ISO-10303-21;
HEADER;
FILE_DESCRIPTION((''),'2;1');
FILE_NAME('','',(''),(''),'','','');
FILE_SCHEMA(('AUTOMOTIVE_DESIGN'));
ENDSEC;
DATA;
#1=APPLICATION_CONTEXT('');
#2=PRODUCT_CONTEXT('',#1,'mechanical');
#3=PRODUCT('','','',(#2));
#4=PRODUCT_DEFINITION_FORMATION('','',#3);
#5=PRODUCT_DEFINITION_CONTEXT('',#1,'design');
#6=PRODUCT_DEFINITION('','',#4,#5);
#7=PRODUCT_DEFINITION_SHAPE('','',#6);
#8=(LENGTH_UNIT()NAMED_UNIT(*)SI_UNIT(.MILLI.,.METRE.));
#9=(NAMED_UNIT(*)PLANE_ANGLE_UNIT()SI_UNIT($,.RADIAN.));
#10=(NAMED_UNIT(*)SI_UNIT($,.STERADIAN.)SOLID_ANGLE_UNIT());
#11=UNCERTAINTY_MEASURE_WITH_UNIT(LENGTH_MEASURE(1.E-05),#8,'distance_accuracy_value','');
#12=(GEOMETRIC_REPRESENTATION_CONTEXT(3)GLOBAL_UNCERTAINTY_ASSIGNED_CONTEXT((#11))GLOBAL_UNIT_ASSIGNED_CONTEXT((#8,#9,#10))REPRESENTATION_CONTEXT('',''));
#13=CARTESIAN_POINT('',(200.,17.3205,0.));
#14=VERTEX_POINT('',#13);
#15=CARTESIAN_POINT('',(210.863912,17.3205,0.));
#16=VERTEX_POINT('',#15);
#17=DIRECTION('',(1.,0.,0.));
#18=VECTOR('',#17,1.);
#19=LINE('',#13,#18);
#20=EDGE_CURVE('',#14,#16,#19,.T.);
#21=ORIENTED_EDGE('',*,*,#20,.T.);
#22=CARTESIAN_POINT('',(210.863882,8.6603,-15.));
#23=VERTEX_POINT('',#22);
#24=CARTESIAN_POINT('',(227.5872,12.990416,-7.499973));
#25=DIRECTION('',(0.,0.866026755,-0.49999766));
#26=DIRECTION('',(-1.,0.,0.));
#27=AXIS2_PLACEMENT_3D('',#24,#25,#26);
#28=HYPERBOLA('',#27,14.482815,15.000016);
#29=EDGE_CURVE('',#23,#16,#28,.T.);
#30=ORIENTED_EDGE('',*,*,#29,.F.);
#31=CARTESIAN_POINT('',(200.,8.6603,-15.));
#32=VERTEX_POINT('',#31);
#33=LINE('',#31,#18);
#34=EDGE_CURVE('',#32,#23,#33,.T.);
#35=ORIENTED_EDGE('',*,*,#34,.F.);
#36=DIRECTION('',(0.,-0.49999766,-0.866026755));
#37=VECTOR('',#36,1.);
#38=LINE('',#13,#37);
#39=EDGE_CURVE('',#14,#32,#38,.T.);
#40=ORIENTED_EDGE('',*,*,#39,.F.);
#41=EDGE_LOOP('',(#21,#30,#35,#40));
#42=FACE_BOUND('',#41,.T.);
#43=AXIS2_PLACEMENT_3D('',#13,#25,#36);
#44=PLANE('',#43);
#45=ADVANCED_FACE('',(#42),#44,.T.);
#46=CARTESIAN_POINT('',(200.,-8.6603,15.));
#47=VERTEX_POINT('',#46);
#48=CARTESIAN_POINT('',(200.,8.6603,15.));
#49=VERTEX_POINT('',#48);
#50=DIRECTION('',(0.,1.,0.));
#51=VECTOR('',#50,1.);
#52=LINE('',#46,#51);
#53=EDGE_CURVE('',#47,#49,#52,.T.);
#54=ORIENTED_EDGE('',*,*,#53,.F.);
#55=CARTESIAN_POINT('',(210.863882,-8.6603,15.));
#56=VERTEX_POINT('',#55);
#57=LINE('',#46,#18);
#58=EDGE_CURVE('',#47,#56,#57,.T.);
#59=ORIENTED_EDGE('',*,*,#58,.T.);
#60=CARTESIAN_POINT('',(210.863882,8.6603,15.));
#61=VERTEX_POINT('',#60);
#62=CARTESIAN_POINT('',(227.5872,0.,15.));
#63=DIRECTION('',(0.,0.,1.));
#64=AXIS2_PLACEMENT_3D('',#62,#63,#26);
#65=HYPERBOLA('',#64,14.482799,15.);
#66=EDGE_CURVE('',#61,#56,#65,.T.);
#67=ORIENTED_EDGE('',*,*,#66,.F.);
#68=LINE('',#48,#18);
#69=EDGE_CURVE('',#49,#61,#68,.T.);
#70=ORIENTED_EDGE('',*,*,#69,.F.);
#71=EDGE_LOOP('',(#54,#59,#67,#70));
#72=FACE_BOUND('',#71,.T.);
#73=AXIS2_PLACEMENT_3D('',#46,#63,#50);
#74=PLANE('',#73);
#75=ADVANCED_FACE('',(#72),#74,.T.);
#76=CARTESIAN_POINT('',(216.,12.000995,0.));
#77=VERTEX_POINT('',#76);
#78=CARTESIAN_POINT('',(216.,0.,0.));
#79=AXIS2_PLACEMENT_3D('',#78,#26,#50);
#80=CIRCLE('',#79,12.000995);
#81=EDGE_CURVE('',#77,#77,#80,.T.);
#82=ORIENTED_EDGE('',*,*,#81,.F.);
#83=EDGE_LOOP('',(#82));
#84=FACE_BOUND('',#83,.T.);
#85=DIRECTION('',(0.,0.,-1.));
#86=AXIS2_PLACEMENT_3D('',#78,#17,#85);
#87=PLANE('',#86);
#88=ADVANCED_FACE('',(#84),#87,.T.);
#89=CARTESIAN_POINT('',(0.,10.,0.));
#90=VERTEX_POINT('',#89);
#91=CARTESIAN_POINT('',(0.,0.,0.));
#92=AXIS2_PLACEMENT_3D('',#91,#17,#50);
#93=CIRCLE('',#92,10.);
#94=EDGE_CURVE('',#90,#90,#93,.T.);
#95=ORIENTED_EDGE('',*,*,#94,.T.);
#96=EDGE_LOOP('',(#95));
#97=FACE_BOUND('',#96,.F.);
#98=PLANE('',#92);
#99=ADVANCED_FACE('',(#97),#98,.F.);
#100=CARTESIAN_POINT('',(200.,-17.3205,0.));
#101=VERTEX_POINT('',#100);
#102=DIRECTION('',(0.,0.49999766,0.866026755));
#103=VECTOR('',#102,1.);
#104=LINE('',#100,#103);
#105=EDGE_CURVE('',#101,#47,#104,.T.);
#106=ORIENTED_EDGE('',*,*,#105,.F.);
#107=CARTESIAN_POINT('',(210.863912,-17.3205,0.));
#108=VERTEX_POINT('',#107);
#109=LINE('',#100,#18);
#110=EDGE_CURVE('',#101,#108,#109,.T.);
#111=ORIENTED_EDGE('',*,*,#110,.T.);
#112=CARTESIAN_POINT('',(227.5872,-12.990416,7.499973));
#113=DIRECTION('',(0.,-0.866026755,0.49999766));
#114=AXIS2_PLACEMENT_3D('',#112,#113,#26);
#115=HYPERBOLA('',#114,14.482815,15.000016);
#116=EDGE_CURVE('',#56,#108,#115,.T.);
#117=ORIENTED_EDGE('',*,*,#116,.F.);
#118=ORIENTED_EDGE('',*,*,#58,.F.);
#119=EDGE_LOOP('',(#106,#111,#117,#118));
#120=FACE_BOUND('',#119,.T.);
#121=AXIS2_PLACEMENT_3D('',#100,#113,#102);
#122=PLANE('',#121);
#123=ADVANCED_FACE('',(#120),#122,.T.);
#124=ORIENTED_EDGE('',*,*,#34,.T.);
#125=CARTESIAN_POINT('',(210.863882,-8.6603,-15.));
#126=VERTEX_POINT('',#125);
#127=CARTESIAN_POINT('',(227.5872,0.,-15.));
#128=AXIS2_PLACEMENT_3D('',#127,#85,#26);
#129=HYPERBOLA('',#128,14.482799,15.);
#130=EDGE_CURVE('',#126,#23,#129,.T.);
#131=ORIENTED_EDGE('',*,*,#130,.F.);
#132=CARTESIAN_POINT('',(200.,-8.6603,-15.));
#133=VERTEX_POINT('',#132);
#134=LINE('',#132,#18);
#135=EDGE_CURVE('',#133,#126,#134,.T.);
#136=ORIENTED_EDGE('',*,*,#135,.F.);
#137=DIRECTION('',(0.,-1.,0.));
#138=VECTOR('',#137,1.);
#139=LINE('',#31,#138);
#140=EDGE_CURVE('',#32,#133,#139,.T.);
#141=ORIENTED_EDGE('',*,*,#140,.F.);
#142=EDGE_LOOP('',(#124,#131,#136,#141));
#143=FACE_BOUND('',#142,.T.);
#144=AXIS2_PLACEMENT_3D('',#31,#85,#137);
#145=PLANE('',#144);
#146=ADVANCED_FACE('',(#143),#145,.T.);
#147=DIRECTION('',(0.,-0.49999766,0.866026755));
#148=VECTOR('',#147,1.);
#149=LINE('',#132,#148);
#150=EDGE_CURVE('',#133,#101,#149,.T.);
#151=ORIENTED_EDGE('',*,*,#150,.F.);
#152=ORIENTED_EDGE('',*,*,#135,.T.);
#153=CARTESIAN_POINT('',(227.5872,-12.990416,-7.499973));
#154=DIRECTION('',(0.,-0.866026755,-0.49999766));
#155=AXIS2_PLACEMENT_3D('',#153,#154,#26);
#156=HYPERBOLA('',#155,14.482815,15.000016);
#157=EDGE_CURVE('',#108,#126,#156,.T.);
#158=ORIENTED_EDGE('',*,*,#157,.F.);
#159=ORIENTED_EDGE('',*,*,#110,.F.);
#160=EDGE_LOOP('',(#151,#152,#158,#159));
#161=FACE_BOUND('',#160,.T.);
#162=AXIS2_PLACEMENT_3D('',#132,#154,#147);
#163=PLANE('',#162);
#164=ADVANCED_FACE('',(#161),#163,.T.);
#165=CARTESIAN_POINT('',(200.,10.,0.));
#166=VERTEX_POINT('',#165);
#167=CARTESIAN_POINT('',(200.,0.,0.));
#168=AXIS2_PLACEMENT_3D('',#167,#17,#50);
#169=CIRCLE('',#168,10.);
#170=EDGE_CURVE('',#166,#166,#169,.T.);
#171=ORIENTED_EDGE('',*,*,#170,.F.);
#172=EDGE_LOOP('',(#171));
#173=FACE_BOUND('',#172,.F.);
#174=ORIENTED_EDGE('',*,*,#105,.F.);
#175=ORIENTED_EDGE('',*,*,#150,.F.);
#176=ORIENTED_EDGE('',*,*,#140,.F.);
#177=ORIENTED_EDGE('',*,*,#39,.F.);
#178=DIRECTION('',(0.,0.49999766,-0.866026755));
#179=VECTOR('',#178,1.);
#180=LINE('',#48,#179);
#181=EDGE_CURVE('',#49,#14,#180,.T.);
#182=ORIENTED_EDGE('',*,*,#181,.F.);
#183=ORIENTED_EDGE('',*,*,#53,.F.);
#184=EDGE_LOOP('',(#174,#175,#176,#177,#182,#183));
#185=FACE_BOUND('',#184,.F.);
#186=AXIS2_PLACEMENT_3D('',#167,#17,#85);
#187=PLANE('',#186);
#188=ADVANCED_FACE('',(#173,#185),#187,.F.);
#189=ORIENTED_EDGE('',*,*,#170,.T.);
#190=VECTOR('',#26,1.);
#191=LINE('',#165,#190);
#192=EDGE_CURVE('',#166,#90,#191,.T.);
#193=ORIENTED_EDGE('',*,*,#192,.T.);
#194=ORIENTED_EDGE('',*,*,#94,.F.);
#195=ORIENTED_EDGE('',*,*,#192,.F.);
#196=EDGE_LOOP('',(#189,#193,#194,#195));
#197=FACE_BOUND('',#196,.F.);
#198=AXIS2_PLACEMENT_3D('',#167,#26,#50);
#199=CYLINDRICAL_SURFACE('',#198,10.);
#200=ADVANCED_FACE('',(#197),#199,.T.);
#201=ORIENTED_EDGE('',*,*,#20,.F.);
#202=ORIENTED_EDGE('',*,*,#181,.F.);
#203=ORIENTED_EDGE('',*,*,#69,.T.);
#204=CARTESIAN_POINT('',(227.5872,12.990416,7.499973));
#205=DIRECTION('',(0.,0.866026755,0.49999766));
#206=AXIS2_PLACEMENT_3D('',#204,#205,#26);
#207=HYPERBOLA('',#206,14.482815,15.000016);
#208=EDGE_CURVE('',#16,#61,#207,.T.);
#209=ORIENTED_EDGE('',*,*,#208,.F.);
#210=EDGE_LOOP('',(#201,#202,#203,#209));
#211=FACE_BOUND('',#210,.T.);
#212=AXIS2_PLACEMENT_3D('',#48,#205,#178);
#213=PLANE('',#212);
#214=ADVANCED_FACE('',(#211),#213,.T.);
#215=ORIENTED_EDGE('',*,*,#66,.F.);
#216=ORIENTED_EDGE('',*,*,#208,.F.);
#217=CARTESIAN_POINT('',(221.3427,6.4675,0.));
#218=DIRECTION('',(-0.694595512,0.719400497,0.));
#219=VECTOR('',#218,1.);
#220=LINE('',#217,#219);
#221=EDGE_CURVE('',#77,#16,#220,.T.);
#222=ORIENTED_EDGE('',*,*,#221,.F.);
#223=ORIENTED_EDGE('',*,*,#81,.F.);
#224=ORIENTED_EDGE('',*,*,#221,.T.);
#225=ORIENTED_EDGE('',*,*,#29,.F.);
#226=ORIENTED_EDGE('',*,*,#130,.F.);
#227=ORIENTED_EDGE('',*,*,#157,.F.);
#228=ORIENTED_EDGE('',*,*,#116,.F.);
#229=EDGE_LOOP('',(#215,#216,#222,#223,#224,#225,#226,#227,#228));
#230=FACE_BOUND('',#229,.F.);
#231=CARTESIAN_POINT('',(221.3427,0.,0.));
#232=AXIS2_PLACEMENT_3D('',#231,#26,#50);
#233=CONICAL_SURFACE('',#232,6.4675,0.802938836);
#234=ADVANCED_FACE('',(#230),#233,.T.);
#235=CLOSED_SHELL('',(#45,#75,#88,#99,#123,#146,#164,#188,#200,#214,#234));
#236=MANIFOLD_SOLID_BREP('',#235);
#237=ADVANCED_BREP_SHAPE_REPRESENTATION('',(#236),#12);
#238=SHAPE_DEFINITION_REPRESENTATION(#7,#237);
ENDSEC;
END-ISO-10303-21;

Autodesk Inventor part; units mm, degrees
ref_plane "YZ Plane" through (0, 0, 0) normal (1, 0, 0) x (0, 1, 0)
ref_plane "XZ Plane" through (0, 0, 0) normal (0, 1, 0) x (-1, 0, 0)
ref_plane "XY Plane" through (0, 0, 0) normal (0, 0, 1) x (1, 0, 0)
sketch "Sketch1" plane through (0, 0, 0) normal (0, 0, 1) x (1, 0, 0)
  line L0 (0, 0) -> (200, 0)
  line L1 (200, 0) -> (200, 10)
  line L2 (200, 10) -> (0, 10)
  line L3 (0, 10) -> (0, 0)
  dimension "d0" = 10
  dimension "d1" = 200
revolve "Revolution1" add sketch "Sketch1" angle 360 about axis through (0, 0, 0) along (1, 0, 0)
sketch "Sketch2" plane through (200, 0, 0) normal (1, 0, 0) x (0, 0, -1)
  line L0 (0, 17.3205) -> (15, 8.6603)
  line L1 (15, 8.6603) -> (15, -8.6603)
  line L2 (15, -8.6603) -> (0, -17.3205)
  line L3 (0, -17.3205) -> (-15, -8.6603)
  line L4 (-15, -8.6603) -> (-15, 8.6603)
  line L5 (-15, 8.6603) -> (0, 17.3205)
  point P0 (0, 0)
  point P1 (0, 0)
  dimension "d3" = 15
extrude "Extrusion1" add sketch "Sketch2" along normal blind 16
sketch "Sketch3" plane through (0, 0, 0) normal (0, 0, 1) x (1, 0, 0)
  line L0 (203.9505, 24.4808) -> (221.3427, 24.4808)
  line L1 (221.3427, 24.4808) -> (221.3427, 6.4675)
  line L2 (221.3427, 6.4675) -> (203.9505, 24.4808)
  line L3 (-22.4415, 0) -> (345.1219, 0) construction
  point P0 (0, 0)
revolve "Revolution2" cut sketch "Sketch3" angle 360 about axis through (-22.4415, 0, 0) along (1, 0, 0)
thread "Thread1" size "M20x2.5" class "6g" standard "ANSI Metric M Profile" full length
properties part number "bolt M20x200"
